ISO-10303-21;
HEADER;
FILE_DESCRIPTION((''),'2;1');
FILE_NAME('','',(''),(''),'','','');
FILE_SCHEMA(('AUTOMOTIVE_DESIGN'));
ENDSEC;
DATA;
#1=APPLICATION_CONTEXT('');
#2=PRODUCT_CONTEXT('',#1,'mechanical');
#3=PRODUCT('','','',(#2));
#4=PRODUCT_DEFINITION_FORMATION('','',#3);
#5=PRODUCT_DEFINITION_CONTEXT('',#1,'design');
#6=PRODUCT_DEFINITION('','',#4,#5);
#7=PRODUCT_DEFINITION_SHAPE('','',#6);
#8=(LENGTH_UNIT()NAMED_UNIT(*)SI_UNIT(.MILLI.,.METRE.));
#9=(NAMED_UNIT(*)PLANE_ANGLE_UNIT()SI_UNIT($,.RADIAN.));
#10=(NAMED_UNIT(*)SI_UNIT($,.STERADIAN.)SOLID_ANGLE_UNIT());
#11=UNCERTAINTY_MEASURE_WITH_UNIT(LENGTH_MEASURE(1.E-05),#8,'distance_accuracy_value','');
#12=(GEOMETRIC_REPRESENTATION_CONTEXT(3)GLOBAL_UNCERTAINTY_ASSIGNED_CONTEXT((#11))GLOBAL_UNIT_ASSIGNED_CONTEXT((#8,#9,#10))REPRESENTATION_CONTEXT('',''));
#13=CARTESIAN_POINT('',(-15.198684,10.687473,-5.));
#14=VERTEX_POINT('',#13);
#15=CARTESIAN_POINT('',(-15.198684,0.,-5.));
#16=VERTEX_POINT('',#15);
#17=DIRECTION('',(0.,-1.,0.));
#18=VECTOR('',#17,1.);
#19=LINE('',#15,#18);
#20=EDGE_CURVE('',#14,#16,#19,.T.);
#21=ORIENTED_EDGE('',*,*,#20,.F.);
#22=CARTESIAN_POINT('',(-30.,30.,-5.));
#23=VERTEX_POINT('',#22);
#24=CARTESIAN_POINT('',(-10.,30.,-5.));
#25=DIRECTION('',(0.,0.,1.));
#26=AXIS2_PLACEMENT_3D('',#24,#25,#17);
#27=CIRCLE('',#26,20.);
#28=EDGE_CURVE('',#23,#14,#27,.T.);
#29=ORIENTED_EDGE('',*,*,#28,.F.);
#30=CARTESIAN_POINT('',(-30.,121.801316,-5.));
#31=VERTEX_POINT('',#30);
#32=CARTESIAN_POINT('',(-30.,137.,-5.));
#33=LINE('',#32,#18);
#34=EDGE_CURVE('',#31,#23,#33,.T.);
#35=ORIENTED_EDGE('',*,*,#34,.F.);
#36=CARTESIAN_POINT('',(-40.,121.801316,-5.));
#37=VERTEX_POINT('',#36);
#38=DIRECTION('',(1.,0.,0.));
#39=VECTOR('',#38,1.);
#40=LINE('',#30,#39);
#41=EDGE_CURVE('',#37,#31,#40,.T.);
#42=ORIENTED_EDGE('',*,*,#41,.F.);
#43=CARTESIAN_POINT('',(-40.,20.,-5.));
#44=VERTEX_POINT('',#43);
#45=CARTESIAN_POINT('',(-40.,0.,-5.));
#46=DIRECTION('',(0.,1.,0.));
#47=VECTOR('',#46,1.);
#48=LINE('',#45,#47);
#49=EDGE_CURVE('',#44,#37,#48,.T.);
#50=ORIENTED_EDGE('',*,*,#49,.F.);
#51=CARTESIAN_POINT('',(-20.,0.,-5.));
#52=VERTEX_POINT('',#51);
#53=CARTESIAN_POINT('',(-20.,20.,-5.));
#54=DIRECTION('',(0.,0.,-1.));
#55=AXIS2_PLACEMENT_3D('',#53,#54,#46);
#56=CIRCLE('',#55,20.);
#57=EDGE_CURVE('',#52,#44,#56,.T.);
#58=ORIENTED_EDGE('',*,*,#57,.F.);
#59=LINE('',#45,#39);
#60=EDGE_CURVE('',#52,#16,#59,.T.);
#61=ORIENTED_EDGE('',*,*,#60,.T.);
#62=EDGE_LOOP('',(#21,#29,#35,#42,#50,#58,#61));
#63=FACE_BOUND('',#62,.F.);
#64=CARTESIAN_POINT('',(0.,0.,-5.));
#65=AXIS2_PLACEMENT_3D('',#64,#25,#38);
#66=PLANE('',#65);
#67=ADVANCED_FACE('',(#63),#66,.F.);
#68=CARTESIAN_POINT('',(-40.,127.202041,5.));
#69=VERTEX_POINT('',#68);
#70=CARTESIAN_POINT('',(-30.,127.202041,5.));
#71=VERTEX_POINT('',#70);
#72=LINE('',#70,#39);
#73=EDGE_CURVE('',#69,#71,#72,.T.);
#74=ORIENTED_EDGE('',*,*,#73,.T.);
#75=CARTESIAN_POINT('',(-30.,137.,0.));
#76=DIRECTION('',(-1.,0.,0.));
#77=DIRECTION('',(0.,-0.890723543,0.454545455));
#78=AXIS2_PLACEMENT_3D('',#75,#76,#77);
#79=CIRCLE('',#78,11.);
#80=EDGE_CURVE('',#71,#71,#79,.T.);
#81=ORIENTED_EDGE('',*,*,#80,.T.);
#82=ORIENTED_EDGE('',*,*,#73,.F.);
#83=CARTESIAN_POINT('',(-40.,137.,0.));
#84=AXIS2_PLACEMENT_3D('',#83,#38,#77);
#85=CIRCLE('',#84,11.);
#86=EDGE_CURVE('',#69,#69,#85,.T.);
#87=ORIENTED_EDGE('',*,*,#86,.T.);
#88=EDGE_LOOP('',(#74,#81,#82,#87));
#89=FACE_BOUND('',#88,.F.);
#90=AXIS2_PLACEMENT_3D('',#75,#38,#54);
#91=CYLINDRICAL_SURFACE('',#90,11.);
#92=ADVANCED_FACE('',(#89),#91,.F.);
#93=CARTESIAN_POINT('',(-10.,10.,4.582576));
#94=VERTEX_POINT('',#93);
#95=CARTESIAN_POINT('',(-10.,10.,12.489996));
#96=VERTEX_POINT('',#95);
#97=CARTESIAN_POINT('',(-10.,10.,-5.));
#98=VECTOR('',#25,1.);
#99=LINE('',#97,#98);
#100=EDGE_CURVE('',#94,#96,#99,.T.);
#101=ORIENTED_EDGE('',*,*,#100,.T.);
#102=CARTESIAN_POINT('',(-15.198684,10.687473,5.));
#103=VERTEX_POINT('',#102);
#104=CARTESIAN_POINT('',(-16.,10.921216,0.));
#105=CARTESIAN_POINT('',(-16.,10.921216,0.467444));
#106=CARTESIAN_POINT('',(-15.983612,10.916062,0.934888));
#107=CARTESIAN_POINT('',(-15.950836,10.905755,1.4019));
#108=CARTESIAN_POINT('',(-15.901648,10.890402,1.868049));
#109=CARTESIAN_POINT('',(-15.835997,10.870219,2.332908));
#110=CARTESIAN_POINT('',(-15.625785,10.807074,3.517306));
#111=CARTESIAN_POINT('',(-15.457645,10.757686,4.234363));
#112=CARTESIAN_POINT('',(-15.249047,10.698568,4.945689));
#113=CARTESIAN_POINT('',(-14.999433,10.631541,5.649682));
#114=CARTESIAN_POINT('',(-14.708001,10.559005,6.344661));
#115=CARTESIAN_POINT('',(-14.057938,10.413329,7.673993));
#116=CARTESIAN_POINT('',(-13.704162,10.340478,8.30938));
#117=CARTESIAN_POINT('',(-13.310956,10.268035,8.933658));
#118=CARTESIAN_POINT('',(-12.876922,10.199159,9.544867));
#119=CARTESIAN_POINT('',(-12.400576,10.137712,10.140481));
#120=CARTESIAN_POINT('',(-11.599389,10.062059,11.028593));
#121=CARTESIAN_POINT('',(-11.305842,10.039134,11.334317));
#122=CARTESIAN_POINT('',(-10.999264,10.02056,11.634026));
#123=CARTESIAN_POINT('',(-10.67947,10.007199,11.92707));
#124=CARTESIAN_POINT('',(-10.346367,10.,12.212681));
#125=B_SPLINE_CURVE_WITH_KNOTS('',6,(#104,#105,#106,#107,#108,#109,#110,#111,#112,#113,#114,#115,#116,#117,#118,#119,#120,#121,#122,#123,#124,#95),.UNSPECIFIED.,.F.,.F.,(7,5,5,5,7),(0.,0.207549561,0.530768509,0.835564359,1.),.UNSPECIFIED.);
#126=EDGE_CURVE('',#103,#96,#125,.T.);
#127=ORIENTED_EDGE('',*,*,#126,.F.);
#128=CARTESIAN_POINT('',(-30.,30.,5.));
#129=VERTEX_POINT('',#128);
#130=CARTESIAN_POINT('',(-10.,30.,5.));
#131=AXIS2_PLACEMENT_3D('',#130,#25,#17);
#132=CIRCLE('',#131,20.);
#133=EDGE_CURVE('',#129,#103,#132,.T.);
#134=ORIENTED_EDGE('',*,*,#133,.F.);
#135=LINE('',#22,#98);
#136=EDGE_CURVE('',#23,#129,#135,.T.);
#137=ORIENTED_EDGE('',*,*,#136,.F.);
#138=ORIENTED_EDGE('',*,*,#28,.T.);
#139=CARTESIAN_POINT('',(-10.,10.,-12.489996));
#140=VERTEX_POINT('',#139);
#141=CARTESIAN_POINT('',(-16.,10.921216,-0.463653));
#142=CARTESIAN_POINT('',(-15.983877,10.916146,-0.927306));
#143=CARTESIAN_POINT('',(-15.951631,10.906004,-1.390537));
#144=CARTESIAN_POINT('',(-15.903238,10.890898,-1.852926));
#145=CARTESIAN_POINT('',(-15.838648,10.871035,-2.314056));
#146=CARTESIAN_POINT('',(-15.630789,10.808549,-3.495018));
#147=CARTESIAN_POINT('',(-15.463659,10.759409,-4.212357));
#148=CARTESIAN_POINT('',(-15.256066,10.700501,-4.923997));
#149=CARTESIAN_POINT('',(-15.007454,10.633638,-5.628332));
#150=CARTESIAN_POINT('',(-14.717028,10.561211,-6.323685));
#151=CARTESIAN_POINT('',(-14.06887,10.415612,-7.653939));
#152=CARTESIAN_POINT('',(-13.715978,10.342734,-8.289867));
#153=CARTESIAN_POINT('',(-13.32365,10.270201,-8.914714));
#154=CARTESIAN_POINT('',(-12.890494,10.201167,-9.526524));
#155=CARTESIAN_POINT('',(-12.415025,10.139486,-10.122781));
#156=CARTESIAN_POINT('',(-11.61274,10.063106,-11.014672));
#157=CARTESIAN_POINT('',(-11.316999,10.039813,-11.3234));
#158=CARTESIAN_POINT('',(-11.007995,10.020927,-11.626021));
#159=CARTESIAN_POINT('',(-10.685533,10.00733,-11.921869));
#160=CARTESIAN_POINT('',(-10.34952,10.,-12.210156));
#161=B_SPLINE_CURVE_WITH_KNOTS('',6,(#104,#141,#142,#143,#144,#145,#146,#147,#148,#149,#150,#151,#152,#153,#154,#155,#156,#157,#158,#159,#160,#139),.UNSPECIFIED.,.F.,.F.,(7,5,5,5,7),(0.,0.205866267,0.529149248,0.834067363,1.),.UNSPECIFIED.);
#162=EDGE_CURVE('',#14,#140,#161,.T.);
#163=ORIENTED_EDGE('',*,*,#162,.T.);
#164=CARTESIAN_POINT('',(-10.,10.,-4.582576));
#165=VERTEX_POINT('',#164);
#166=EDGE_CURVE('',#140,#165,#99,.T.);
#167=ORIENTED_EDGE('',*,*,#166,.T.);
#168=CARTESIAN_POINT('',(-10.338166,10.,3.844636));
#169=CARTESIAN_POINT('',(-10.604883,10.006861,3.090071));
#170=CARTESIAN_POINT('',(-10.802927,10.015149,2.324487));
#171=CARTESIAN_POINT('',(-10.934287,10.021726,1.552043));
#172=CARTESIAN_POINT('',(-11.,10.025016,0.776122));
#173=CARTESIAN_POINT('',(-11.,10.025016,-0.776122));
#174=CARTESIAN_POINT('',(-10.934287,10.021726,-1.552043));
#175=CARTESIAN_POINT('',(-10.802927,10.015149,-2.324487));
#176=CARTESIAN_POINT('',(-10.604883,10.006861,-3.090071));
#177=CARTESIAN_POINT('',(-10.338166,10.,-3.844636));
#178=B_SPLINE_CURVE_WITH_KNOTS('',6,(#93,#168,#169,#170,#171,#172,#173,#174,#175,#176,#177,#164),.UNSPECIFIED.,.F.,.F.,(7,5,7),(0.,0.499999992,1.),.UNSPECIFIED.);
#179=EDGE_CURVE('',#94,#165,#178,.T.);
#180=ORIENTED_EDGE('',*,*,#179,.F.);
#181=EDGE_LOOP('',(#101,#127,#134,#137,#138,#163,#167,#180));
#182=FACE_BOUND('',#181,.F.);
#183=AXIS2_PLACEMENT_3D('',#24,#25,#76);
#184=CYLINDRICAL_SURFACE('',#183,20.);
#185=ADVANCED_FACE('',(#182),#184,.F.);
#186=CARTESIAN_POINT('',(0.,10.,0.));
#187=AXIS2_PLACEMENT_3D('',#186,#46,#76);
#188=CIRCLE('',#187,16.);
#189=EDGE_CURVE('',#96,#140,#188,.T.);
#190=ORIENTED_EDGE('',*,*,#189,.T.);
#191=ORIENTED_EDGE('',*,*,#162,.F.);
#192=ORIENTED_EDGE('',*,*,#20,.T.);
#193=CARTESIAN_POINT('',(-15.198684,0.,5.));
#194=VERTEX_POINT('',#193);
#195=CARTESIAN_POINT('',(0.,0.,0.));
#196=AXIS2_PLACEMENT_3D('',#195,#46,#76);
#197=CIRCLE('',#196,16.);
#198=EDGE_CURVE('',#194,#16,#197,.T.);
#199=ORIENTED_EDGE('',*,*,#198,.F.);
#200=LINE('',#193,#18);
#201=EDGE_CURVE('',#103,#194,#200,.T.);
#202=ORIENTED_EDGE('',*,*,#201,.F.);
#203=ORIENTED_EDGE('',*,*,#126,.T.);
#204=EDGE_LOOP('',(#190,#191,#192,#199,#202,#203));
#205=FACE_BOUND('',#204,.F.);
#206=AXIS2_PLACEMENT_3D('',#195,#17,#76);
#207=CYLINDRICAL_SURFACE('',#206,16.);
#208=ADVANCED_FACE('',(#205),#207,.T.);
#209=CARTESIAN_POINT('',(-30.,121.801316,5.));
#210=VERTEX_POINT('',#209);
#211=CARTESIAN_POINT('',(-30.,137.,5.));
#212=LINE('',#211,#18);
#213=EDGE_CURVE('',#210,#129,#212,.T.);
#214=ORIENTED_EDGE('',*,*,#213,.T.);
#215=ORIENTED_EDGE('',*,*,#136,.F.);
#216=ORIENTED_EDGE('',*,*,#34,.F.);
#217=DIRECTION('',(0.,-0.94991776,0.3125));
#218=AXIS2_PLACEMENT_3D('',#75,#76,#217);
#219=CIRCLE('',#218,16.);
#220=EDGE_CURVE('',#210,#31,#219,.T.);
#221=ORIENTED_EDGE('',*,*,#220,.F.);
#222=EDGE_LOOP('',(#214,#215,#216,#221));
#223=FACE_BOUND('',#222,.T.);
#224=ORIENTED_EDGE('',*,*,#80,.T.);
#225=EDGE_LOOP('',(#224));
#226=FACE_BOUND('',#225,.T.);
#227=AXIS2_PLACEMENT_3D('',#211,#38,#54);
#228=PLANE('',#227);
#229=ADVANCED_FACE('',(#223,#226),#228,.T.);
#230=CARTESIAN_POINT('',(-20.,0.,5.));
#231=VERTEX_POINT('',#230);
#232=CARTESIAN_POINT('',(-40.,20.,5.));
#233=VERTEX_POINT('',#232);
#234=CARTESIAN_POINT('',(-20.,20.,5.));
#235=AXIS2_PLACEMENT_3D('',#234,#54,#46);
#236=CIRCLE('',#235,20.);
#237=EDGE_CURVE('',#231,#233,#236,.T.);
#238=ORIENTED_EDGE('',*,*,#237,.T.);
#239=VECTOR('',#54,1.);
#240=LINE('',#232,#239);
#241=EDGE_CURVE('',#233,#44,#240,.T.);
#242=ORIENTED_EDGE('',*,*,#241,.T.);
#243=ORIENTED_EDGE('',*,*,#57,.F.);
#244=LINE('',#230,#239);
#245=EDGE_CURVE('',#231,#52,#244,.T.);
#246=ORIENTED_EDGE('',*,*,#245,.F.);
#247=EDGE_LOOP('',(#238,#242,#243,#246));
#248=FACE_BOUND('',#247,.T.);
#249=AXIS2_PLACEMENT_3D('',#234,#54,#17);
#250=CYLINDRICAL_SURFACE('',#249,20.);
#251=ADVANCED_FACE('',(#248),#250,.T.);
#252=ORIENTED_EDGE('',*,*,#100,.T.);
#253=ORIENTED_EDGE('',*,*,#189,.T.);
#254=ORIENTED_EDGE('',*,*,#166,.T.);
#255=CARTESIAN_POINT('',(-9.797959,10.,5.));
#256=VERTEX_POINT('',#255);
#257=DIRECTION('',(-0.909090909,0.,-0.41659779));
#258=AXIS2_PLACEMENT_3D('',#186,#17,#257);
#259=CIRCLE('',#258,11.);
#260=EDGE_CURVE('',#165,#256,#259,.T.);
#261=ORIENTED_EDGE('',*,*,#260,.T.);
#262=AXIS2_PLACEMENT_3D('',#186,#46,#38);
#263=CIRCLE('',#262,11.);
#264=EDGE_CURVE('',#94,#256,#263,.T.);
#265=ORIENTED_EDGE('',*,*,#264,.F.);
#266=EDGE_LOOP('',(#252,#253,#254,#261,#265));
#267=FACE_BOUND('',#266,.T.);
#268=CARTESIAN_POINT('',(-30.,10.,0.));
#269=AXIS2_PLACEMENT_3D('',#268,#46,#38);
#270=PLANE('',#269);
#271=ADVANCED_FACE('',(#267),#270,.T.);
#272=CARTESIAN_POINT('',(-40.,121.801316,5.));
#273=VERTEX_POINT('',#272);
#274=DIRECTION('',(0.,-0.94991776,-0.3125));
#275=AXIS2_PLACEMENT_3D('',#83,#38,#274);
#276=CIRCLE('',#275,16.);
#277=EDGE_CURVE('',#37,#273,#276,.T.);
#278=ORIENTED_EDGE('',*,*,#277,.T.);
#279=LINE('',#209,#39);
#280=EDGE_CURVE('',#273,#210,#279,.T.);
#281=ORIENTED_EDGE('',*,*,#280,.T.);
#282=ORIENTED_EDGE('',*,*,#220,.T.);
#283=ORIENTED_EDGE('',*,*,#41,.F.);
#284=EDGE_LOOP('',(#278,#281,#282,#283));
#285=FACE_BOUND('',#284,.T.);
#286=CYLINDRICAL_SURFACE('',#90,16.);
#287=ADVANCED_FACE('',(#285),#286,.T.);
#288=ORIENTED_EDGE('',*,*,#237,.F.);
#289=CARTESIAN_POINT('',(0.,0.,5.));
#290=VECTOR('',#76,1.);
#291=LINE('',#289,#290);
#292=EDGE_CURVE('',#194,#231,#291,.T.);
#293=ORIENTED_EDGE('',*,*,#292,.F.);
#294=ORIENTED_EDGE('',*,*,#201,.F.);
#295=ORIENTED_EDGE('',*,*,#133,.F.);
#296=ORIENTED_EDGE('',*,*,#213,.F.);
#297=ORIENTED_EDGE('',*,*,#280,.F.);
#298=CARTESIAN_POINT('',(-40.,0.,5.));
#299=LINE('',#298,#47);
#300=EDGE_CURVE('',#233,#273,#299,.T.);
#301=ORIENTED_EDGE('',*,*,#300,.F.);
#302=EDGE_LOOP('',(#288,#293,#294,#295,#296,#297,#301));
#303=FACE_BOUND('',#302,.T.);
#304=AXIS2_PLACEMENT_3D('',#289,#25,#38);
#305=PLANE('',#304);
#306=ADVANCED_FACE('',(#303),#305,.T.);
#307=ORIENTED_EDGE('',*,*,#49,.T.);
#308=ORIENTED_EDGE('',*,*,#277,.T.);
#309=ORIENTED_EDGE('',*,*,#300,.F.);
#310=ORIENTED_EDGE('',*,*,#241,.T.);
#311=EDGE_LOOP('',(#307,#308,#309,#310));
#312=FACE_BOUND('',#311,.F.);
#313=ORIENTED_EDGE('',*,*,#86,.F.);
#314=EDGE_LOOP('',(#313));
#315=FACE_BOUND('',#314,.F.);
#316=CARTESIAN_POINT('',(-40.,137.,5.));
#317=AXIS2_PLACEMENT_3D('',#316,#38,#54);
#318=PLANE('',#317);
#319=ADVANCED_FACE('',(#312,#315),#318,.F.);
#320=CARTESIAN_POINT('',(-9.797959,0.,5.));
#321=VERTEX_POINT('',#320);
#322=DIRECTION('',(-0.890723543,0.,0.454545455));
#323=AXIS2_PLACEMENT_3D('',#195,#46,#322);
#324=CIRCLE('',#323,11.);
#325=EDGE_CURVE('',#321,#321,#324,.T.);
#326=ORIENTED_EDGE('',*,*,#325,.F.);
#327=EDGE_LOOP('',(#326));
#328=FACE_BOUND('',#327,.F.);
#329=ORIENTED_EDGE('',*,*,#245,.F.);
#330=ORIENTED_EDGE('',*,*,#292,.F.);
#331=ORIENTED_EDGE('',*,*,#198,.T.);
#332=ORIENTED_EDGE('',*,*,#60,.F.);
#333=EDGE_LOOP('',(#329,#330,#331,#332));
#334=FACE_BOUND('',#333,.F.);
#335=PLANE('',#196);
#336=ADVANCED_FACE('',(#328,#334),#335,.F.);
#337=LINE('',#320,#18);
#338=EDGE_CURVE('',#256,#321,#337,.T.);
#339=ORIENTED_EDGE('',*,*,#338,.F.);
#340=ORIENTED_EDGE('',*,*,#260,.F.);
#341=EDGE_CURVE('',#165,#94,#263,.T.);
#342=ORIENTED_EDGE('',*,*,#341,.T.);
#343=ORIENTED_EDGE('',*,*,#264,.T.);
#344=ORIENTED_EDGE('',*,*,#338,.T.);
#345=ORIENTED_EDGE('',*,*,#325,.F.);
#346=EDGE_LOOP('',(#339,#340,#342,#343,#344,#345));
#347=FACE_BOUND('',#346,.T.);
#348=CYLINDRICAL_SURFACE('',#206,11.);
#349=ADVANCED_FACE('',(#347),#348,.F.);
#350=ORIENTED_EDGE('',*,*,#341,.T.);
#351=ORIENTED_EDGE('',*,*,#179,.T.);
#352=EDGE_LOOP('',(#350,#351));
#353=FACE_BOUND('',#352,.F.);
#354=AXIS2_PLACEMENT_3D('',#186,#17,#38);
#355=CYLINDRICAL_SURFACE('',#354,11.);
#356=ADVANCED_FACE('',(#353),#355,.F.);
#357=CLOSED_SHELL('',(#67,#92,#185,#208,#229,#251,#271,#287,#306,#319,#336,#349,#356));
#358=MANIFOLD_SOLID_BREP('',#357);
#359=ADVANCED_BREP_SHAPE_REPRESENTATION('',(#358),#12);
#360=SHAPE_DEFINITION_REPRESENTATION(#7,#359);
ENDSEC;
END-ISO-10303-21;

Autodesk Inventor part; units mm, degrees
ref_plane "YZ Plane" through (0, 0, 0) normal (1, 0, 0) x (0, 1, 0)
ref_plane "XZ Plane" through (0, 0, 0) normal (0, 1, 0) x (-1, 0, 0)
ref_plane "XY Plane" through (0, 0, 0) normal (0, 0, 1) x (1, 0, 0)
sketch "Szkic2" plane through (0, 0, 0) normal (0, 1, 0) x (-1, 0, 0)
  circle A0 centre (0, 0) radius 11
  circle A1 centre (0, 0) radius 16
  dimension "d0" = 22
  dimension "d1" = 5
extrude "Wyciągnięcie proste1" add sketch "Szkic2" along normal blind 10
sketch "Szkic4" plane through (0, 0, 0) normal (0, 0, 1) x (1, 0, 0)
  line L0 (0, 0) -> (-30, 0)
  line L1 (-30, 0) -> (-30, 10)
  line L2 (-30, 10) -> (0, 10)
  line L3 (0, 10) -> (0, 0)
  line L4 (-30, 0) -> (-40, 0)
  line L5 (-40, 0) -> (-40, 137)
  line L6 (-40, 137) -> (-30, 137)
  line L7 (-30, 137) -> (-30, 0)
  point P0 (-30, 10)
  dimension "d7" = 137
  dimension "d8" = 30
  dimension "d9" = 10
  dimension "d10" = 10
extrude "Wyciągnięcie proste2" add sketch "Szkic4" along normal mid plane 10
fillet "Zaokrąglenie1" radius 20 2 edges at (-40, 0, 0) (-30, 10, 0)
sketch "Szkic7" plane through (-30, 137, 5) normal (1, 0, 0) x (0, 0, -1)
  line L0 (10, 0) -> (0, 0) projected
  circle A0 centre (5, 0) radius 11
  circle A1 centre (5, 0) radius 16
  point P0 (5, -137)
  dimension "d14" = 22
  dimension "d15" = 32
extrude "Wyciągnięcie proste3" add sketch "Szkic7" against normal blind 10
sketch "Szkic8" plane through (0, 10, 0) normal (0, 1, 0) x (1, 0, 0)
  circle A0 centre (0, 0) radius 11
extrude "Wyciągnięcie proste4" cut sketch "Szkic8" against normal blind 10
sketch "Szkic9" plane through (-30, 30, 5) normal (1, 0, 0) x (0, 0, -1)
  line L0 (10, 107) -> (0, 107) projected
  circle A0 centre (5, 107) radius 11
  point P0 (5, -30)
extrude "Wyciągnięcie proste5" cut sketch "Szkic9" against normal blind 10
sketch "Szkic10" plane through (0, 10, 0) normal (0, -1, 0) x (1, 0, 0)
  circle A0 centre (0, 0) radius 11
extrude "Wyciągnięcie proste6" cut sketch "Szkic10" against normal blind 10
properties part number "Gora-dol-ramie"
